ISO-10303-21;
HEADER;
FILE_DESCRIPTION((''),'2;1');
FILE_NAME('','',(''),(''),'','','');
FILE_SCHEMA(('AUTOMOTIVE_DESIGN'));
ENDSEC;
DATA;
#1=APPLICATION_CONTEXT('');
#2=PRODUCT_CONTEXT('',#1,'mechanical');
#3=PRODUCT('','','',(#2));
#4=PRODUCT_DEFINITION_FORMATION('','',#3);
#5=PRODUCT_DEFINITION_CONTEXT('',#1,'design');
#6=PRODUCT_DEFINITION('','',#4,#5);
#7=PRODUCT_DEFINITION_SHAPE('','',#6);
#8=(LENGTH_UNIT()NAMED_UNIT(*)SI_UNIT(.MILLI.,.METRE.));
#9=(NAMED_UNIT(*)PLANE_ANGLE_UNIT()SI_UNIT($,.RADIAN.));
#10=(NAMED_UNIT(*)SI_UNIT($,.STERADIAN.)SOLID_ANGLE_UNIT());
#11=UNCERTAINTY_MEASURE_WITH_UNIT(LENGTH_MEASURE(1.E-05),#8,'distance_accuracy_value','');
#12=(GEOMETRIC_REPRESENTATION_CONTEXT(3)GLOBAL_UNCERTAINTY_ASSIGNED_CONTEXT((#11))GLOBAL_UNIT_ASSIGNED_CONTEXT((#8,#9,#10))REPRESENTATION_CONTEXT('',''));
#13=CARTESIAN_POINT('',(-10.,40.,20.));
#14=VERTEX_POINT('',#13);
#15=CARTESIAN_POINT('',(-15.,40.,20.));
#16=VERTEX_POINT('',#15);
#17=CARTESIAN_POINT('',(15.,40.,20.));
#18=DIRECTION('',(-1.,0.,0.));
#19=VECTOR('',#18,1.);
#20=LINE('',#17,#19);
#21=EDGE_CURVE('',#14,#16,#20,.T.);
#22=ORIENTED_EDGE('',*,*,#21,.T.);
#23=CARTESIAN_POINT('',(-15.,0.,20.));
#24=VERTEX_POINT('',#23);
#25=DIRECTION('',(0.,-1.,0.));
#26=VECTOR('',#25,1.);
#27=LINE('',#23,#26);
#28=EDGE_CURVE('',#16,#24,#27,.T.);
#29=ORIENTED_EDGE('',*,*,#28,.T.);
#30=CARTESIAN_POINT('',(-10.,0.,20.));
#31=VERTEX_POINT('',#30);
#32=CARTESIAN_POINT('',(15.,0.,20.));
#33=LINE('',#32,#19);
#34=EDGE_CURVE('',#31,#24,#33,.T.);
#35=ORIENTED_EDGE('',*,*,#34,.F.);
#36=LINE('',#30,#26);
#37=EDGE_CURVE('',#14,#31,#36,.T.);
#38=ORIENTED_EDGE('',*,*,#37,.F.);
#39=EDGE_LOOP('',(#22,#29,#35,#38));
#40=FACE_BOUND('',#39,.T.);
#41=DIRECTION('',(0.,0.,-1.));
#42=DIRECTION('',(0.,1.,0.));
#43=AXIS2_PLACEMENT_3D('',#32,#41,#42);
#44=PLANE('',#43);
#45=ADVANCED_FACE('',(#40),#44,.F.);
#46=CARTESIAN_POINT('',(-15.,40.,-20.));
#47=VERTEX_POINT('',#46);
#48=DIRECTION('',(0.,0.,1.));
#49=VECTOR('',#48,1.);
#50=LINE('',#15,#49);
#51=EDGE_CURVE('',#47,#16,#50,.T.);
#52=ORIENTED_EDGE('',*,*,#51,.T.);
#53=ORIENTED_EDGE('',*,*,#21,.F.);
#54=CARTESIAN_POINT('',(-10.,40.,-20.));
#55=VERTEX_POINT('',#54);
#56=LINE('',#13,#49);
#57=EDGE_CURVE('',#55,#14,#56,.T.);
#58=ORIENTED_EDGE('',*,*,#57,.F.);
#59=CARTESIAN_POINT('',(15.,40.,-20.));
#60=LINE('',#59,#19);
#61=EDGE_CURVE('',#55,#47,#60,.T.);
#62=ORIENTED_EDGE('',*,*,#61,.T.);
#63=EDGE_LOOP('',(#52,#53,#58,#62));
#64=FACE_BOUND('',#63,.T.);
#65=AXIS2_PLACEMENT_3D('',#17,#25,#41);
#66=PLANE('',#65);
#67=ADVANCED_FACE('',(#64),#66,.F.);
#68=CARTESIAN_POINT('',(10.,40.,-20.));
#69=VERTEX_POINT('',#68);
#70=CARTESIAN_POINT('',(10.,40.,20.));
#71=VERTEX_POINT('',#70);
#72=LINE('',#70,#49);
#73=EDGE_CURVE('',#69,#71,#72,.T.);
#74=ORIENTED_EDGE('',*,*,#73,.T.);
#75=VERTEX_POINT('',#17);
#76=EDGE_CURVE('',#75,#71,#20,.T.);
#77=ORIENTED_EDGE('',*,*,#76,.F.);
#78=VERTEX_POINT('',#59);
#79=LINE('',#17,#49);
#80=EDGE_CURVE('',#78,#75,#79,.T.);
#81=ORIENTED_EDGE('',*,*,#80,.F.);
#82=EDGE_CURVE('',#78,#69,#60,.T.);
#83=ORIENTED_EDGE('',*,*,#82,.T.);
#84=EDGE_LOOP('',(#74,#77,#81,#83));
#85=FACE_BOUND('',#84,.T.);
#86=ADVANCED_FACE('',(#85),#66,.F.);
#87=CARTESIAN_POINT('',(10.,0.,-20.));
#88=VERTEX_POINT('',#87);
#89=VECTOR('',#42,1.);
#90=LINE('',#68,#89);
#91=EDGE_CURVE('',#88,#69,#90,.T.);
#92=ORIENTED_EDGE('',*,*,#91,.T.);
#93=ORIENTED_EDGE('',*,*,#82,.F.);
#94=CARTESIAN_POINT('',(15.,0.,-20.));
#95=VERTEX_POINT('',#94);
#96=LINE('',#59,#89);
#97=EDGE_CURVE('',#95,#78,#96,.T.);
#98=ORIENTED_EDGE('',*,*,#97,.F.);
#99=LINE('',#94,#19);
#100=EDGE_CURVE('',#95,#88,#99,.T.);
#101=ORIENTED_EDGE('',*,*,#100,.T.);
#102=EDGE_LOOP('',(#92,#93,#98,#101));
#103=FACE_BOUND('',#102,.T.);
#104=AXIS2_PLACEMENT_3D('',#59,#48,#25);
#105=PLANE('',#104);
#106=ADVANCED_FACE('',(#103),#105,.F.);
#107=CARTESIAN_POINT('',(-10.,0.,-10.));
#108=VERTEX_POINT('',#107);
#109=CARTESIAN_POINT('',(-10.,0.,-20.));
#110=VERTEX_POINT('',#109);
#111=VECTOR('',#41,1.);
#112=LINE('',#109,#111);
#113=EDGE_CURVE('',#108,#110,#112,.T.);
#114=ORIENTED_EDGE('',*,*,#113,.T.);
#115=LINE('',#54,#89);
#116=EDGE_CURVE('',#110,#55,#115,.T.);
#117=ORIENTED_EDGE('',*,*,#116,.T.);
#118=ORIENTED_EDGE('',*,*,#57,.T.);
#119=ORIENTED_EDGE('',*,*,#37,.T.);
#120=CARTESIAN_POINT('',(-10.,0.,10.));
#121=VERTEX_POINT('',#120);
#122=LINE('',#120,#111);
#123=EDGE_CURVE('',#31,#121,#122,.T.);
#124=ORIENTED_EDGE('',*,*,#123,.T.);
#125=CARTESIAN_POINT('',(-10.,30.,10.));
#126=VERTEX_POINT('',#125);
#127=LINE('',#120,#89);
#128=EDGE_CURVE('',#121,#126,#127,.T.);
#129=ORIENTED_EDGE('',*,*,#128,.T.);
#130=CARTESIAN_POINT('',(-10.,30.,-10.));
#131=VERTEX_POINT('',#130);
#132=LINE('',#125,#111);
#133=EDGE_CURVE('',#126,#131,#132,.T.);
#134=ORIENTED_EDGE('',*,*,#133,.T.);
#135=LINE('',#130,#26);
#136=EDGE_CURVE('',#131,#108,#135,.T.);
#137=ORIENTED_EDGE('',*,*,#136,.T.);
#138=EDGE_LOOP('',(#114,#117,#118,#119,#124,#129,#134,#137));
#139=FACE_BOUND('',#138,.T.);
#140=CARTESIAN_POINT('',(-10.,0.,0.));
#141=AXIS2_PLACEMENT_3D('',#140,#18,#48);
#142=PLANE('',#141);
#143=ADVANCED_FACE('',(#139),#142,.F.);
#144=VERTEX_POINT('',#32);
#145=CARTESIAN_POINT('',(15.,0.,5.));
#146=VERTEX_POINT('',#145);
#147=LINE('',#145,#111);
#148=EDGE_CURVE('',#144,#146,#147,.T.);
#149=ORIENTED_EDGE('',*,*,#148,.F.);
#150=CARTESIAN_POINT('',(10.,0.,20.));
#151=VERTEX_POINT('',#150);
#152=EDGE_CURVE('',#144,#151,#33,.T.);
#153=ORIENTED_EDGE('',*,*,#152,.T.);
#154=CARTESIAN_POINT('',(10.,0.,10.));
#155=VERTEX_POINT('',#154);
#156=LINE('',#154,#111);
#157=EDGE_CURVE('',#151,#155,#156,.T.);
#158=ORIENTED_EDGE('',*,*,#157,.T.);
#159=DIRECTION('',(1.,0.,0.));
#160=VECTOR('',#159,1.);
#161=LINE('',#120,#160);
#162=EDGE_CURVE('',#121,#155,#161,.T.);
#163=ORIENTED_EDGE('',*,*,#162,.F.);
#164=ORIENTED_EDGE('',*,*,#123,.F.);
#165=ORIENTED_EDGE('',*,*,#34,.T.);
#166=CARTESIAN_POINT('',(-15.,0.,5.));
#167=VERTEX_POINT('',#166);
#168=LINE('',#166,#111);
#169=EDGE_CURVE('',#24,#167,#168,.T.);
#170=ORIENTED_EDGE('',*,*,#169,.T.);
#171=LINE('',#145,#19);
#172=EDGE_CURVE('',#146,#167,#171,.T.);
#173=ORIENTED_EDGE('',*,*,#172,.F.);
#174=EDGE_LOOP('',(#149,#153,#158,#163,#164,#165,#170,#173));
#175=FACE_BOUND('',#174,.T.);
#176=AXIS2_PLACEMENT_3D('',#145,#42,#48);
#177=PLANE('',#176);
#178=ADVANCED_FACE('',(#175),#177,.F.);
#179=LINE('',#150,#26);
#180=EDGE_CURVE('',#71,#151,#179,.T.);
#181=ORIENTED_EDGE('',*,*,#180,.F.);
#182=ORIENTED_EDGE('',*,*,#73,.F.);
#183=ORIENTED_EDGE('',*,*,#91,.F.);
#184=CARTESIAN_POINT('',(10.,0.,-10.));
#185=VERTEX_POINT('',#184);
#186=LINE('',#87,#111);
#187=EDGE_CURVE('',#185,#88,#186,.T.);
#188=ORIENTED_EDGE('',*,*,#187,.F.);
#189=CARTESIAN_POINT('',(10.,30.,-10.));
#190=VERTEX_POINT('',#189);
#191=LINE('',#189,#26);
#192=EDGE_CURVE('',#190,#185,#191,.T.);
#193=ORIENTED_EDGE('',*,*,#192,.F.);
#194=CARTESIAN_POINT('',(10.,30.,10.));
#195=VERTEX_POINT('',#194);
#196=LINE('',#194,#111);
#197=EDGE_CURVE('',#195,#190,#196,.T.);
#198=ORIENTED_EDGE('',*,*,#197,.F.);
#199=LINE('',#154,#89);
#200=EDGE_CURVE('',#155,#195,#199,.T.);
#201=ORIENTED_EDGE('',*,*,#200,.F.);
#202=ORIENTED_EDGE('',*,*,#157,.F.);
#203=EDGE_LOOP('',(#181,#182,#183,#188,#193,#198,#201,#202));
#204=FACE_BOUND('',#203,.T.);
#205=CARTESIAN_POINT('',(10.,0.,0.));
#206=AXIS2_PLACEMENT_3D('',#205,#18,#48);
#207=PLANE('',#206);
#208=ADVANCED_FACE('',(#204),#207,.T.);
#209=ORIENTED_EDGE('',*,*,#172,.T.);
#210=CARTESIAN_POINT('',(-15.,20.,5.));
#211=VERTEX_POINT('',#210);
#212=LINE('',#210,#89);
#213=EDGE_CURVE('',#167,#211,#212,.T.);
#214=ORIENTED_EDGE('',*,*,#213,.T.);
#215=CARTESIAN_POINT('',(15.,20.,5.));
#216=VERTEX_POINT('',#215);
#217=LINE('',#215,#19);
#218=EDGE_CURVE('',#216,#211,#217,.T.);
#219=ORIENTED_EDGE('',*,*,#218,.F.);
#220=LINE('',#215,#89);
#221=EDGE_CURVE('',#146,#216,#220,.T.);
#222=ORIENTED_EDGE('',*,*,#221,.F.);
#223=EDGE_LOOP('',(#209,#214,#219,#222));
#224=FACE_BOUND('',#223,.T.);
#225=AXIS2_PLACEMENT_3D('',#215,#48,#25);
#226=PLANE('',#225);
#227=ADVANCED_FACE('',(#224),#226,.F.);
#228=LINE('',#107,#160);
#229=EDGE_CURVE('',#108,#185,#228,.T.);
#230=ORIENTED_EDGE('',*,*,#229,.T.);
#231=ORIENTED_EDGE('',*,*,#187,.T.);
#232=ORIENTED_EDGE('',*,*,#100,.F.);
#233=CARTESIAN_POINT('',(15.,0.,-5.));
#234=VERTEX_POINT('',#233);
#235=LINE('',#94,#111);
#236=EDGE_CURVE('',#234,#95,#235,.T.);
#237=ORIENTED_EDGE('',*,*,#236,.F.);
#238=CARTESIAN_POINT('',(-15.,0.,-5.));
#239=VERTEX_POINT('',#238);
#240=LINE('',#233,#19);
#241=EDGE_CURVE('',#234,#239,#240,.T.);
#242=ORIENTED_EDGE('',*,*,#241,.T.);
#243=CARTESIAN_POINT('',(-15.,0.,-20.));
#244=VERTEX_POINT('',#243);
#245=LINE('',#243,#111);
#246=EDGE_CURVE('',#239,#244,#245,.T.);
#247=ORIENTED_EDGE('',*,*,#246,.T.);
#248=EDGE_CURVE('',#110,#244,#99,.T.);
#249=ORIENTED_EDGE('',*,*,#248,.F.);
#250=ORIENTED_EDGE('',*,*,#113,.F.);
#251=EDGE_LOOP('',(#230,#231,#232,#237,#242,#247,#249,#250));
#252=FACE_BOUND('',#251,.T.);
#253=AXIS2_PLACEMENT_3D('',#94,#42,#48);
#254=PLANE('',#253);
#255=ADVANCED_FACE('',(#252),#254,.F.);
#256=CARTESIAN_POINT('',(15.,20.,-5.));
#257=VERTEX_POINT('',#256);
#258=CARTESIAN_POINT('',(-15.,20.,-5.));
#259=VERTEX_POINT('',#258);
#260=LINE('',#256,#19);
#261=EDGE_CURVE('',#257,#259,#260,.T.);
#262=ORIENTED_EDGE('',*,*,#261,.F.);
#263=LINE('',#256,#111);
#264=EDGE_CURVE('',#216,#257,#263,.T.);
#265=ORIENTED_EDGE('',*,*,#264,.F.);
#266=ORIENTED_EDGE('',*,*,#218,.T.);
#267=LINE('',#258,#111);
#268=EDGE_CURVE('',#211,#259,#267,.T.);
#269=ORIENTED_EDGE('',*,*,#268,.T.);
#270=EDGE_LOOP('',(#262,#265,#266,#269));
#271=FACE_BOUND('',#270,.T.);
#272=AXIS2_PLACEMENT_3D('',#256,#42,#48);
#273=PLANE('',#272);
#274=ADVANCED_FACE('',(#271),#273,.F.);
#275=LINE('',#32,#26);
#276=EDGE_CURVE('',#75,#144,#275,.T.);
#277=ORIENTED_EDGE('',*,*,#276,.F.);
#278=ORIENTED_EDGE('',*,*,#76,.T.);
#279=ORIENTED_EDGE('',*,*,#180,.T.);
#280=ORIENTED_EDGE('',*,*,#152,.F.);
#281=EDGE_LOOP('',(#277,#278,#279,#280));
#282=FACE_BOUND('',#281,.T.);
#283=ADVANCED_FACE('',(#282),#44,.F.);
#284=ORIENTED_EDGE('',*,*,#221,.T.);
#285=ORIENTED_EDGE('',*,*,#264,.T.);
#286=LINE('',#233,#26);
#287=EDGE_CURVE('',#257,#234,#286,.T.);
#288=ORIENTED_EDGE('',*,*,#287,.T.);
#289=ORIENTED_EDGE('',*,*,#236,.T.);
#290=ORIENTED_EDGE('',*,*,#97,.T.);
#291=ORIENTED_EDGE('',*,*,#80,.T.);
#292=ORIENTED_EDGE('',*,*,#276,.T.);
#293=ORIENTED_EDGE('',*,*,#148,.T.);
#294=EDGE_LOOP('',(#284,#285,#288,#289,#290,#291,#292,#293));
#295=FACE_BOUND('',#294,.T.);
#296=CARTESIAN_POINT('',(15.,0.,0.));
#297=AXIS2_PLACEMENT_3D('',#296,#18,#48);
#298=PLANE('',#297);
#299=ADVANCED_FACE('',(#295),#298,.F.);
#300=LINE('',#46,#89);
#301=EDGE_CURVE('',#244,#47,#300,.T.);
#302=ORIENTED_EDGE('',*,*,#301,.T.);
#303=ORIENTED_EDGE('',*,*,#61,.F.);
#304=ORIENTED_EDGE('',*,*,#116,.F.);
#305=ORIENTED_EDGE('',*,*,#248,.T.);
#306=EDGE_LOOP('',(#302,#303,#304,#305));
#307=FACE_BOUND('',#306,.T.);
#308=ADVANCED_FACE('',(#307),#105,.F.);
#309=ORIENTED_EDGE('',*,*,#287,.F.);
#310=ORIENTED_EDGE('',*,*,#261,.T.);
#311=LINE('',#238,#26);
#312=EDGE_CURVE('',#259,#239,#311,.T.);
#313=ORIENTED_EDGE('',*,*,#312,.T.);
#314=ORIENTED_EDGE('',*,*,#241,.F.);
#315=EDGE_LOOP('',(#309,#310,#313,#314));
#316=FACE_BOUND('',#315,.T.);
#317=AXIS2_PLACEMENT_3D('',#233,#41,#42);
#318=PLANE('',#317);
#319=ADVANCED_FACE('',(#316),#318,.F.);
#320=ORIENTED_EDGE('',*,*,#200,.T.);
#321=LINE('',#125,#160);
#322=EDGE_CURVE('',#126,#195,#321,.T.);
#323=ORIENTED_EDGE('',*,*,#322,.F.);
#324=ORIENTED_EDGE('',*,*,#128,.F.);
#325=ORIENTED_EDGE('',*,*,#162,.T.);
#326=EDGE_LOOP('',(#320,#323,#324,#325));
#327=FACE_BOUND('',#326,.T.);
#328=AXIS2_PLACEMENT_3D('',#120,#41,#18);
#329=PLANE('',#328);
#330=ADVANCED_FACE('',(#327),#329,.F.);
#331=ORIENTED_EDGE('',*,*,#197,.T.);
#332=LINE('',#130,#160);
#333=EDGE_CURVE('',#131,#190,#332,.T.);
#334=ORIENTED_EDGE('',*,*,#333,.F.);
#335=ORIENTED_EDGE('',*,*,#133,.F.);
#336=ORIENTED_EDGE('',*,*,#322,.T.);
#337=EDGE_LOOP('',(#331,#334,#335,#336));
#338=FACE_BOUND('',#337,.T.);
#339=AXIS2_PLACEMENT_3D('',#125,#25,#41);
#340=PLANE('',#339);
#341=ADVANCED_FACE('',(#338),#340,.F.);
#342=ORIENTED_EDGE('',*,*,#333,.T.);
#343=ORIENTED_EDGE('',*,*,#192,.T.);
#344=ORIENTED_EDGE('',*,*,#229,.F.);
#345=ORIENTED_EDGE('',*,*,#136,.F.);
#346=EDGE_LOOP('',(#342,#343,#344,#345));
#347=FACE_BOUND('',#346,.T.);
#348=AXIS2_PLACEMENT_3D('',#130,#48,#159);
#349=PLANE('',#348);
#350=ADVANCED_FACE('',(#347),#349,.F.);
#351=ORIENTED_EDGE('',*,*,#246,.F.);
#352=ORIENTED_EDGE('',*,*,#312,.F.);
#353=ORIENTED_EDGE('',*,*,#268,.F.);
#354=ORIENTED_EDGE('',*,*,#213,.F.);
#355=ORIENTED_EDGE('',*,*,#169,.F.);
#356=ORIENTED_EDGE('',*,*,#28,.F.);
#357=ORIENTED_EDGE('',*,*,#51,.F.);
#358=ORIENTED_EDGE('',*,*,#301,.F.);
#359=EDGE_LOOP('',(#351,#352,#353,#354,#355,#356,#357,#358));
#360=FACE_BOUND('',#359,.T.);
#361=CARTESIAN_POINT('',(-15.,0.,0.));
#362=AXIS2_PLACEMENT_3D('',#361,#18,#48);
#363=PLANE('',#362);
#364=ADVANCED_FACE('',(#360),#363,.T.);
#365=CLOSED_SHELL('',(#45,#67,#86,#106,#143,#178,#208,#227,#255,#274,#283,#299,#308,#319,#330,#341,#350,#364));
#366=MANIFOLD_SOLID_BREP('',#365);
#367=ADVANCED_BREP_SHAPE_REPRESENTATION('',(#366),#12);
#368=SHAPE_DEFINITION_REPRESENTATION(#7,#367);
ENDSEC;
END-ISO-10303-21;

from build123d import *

# Parameters (mm, degrees)
RESSALTO_EXTRUS_O1_DEPTH = 15
CORTE_EXTRUS_O1_DEPTH    = 10


with BuildPart() as part:
    # Esboço1 → Ressalto-extrusão1 (new body, symmetric)
    with BuildSketch(Plane(origin=(0, 0, 0), x_dir=(0, 0, -1), z_dir=(1, 0, 0))):
        Polygon((-20, 0), (-20, 40), (20, 40), (20, 0), (5, 0), (5, 20), (-5, 20), (-5, 0), align=None)
    extrude(amount=RESSALTO_EXTRUS_O1_DEPTH, both=True)

    # Esboço2 → Corte-extrusão1 (cut, symmetric)
    with BuildSketch(Plane(origin=(0, 0, 0), x_dir=(0, 0, -1), z_dir=(1, 0, 0))):
        Polygon((-10, 0), (-10, 30), (10, 30), (10, 0), (20, 0), (20, 40), (-20, 40), (-20, 0), align=None)
    extrude(amount=CORTE_EXTRUS_O1_DEPTH, both=True, mode=Mode.SUBTRACT)


solid = part.part
